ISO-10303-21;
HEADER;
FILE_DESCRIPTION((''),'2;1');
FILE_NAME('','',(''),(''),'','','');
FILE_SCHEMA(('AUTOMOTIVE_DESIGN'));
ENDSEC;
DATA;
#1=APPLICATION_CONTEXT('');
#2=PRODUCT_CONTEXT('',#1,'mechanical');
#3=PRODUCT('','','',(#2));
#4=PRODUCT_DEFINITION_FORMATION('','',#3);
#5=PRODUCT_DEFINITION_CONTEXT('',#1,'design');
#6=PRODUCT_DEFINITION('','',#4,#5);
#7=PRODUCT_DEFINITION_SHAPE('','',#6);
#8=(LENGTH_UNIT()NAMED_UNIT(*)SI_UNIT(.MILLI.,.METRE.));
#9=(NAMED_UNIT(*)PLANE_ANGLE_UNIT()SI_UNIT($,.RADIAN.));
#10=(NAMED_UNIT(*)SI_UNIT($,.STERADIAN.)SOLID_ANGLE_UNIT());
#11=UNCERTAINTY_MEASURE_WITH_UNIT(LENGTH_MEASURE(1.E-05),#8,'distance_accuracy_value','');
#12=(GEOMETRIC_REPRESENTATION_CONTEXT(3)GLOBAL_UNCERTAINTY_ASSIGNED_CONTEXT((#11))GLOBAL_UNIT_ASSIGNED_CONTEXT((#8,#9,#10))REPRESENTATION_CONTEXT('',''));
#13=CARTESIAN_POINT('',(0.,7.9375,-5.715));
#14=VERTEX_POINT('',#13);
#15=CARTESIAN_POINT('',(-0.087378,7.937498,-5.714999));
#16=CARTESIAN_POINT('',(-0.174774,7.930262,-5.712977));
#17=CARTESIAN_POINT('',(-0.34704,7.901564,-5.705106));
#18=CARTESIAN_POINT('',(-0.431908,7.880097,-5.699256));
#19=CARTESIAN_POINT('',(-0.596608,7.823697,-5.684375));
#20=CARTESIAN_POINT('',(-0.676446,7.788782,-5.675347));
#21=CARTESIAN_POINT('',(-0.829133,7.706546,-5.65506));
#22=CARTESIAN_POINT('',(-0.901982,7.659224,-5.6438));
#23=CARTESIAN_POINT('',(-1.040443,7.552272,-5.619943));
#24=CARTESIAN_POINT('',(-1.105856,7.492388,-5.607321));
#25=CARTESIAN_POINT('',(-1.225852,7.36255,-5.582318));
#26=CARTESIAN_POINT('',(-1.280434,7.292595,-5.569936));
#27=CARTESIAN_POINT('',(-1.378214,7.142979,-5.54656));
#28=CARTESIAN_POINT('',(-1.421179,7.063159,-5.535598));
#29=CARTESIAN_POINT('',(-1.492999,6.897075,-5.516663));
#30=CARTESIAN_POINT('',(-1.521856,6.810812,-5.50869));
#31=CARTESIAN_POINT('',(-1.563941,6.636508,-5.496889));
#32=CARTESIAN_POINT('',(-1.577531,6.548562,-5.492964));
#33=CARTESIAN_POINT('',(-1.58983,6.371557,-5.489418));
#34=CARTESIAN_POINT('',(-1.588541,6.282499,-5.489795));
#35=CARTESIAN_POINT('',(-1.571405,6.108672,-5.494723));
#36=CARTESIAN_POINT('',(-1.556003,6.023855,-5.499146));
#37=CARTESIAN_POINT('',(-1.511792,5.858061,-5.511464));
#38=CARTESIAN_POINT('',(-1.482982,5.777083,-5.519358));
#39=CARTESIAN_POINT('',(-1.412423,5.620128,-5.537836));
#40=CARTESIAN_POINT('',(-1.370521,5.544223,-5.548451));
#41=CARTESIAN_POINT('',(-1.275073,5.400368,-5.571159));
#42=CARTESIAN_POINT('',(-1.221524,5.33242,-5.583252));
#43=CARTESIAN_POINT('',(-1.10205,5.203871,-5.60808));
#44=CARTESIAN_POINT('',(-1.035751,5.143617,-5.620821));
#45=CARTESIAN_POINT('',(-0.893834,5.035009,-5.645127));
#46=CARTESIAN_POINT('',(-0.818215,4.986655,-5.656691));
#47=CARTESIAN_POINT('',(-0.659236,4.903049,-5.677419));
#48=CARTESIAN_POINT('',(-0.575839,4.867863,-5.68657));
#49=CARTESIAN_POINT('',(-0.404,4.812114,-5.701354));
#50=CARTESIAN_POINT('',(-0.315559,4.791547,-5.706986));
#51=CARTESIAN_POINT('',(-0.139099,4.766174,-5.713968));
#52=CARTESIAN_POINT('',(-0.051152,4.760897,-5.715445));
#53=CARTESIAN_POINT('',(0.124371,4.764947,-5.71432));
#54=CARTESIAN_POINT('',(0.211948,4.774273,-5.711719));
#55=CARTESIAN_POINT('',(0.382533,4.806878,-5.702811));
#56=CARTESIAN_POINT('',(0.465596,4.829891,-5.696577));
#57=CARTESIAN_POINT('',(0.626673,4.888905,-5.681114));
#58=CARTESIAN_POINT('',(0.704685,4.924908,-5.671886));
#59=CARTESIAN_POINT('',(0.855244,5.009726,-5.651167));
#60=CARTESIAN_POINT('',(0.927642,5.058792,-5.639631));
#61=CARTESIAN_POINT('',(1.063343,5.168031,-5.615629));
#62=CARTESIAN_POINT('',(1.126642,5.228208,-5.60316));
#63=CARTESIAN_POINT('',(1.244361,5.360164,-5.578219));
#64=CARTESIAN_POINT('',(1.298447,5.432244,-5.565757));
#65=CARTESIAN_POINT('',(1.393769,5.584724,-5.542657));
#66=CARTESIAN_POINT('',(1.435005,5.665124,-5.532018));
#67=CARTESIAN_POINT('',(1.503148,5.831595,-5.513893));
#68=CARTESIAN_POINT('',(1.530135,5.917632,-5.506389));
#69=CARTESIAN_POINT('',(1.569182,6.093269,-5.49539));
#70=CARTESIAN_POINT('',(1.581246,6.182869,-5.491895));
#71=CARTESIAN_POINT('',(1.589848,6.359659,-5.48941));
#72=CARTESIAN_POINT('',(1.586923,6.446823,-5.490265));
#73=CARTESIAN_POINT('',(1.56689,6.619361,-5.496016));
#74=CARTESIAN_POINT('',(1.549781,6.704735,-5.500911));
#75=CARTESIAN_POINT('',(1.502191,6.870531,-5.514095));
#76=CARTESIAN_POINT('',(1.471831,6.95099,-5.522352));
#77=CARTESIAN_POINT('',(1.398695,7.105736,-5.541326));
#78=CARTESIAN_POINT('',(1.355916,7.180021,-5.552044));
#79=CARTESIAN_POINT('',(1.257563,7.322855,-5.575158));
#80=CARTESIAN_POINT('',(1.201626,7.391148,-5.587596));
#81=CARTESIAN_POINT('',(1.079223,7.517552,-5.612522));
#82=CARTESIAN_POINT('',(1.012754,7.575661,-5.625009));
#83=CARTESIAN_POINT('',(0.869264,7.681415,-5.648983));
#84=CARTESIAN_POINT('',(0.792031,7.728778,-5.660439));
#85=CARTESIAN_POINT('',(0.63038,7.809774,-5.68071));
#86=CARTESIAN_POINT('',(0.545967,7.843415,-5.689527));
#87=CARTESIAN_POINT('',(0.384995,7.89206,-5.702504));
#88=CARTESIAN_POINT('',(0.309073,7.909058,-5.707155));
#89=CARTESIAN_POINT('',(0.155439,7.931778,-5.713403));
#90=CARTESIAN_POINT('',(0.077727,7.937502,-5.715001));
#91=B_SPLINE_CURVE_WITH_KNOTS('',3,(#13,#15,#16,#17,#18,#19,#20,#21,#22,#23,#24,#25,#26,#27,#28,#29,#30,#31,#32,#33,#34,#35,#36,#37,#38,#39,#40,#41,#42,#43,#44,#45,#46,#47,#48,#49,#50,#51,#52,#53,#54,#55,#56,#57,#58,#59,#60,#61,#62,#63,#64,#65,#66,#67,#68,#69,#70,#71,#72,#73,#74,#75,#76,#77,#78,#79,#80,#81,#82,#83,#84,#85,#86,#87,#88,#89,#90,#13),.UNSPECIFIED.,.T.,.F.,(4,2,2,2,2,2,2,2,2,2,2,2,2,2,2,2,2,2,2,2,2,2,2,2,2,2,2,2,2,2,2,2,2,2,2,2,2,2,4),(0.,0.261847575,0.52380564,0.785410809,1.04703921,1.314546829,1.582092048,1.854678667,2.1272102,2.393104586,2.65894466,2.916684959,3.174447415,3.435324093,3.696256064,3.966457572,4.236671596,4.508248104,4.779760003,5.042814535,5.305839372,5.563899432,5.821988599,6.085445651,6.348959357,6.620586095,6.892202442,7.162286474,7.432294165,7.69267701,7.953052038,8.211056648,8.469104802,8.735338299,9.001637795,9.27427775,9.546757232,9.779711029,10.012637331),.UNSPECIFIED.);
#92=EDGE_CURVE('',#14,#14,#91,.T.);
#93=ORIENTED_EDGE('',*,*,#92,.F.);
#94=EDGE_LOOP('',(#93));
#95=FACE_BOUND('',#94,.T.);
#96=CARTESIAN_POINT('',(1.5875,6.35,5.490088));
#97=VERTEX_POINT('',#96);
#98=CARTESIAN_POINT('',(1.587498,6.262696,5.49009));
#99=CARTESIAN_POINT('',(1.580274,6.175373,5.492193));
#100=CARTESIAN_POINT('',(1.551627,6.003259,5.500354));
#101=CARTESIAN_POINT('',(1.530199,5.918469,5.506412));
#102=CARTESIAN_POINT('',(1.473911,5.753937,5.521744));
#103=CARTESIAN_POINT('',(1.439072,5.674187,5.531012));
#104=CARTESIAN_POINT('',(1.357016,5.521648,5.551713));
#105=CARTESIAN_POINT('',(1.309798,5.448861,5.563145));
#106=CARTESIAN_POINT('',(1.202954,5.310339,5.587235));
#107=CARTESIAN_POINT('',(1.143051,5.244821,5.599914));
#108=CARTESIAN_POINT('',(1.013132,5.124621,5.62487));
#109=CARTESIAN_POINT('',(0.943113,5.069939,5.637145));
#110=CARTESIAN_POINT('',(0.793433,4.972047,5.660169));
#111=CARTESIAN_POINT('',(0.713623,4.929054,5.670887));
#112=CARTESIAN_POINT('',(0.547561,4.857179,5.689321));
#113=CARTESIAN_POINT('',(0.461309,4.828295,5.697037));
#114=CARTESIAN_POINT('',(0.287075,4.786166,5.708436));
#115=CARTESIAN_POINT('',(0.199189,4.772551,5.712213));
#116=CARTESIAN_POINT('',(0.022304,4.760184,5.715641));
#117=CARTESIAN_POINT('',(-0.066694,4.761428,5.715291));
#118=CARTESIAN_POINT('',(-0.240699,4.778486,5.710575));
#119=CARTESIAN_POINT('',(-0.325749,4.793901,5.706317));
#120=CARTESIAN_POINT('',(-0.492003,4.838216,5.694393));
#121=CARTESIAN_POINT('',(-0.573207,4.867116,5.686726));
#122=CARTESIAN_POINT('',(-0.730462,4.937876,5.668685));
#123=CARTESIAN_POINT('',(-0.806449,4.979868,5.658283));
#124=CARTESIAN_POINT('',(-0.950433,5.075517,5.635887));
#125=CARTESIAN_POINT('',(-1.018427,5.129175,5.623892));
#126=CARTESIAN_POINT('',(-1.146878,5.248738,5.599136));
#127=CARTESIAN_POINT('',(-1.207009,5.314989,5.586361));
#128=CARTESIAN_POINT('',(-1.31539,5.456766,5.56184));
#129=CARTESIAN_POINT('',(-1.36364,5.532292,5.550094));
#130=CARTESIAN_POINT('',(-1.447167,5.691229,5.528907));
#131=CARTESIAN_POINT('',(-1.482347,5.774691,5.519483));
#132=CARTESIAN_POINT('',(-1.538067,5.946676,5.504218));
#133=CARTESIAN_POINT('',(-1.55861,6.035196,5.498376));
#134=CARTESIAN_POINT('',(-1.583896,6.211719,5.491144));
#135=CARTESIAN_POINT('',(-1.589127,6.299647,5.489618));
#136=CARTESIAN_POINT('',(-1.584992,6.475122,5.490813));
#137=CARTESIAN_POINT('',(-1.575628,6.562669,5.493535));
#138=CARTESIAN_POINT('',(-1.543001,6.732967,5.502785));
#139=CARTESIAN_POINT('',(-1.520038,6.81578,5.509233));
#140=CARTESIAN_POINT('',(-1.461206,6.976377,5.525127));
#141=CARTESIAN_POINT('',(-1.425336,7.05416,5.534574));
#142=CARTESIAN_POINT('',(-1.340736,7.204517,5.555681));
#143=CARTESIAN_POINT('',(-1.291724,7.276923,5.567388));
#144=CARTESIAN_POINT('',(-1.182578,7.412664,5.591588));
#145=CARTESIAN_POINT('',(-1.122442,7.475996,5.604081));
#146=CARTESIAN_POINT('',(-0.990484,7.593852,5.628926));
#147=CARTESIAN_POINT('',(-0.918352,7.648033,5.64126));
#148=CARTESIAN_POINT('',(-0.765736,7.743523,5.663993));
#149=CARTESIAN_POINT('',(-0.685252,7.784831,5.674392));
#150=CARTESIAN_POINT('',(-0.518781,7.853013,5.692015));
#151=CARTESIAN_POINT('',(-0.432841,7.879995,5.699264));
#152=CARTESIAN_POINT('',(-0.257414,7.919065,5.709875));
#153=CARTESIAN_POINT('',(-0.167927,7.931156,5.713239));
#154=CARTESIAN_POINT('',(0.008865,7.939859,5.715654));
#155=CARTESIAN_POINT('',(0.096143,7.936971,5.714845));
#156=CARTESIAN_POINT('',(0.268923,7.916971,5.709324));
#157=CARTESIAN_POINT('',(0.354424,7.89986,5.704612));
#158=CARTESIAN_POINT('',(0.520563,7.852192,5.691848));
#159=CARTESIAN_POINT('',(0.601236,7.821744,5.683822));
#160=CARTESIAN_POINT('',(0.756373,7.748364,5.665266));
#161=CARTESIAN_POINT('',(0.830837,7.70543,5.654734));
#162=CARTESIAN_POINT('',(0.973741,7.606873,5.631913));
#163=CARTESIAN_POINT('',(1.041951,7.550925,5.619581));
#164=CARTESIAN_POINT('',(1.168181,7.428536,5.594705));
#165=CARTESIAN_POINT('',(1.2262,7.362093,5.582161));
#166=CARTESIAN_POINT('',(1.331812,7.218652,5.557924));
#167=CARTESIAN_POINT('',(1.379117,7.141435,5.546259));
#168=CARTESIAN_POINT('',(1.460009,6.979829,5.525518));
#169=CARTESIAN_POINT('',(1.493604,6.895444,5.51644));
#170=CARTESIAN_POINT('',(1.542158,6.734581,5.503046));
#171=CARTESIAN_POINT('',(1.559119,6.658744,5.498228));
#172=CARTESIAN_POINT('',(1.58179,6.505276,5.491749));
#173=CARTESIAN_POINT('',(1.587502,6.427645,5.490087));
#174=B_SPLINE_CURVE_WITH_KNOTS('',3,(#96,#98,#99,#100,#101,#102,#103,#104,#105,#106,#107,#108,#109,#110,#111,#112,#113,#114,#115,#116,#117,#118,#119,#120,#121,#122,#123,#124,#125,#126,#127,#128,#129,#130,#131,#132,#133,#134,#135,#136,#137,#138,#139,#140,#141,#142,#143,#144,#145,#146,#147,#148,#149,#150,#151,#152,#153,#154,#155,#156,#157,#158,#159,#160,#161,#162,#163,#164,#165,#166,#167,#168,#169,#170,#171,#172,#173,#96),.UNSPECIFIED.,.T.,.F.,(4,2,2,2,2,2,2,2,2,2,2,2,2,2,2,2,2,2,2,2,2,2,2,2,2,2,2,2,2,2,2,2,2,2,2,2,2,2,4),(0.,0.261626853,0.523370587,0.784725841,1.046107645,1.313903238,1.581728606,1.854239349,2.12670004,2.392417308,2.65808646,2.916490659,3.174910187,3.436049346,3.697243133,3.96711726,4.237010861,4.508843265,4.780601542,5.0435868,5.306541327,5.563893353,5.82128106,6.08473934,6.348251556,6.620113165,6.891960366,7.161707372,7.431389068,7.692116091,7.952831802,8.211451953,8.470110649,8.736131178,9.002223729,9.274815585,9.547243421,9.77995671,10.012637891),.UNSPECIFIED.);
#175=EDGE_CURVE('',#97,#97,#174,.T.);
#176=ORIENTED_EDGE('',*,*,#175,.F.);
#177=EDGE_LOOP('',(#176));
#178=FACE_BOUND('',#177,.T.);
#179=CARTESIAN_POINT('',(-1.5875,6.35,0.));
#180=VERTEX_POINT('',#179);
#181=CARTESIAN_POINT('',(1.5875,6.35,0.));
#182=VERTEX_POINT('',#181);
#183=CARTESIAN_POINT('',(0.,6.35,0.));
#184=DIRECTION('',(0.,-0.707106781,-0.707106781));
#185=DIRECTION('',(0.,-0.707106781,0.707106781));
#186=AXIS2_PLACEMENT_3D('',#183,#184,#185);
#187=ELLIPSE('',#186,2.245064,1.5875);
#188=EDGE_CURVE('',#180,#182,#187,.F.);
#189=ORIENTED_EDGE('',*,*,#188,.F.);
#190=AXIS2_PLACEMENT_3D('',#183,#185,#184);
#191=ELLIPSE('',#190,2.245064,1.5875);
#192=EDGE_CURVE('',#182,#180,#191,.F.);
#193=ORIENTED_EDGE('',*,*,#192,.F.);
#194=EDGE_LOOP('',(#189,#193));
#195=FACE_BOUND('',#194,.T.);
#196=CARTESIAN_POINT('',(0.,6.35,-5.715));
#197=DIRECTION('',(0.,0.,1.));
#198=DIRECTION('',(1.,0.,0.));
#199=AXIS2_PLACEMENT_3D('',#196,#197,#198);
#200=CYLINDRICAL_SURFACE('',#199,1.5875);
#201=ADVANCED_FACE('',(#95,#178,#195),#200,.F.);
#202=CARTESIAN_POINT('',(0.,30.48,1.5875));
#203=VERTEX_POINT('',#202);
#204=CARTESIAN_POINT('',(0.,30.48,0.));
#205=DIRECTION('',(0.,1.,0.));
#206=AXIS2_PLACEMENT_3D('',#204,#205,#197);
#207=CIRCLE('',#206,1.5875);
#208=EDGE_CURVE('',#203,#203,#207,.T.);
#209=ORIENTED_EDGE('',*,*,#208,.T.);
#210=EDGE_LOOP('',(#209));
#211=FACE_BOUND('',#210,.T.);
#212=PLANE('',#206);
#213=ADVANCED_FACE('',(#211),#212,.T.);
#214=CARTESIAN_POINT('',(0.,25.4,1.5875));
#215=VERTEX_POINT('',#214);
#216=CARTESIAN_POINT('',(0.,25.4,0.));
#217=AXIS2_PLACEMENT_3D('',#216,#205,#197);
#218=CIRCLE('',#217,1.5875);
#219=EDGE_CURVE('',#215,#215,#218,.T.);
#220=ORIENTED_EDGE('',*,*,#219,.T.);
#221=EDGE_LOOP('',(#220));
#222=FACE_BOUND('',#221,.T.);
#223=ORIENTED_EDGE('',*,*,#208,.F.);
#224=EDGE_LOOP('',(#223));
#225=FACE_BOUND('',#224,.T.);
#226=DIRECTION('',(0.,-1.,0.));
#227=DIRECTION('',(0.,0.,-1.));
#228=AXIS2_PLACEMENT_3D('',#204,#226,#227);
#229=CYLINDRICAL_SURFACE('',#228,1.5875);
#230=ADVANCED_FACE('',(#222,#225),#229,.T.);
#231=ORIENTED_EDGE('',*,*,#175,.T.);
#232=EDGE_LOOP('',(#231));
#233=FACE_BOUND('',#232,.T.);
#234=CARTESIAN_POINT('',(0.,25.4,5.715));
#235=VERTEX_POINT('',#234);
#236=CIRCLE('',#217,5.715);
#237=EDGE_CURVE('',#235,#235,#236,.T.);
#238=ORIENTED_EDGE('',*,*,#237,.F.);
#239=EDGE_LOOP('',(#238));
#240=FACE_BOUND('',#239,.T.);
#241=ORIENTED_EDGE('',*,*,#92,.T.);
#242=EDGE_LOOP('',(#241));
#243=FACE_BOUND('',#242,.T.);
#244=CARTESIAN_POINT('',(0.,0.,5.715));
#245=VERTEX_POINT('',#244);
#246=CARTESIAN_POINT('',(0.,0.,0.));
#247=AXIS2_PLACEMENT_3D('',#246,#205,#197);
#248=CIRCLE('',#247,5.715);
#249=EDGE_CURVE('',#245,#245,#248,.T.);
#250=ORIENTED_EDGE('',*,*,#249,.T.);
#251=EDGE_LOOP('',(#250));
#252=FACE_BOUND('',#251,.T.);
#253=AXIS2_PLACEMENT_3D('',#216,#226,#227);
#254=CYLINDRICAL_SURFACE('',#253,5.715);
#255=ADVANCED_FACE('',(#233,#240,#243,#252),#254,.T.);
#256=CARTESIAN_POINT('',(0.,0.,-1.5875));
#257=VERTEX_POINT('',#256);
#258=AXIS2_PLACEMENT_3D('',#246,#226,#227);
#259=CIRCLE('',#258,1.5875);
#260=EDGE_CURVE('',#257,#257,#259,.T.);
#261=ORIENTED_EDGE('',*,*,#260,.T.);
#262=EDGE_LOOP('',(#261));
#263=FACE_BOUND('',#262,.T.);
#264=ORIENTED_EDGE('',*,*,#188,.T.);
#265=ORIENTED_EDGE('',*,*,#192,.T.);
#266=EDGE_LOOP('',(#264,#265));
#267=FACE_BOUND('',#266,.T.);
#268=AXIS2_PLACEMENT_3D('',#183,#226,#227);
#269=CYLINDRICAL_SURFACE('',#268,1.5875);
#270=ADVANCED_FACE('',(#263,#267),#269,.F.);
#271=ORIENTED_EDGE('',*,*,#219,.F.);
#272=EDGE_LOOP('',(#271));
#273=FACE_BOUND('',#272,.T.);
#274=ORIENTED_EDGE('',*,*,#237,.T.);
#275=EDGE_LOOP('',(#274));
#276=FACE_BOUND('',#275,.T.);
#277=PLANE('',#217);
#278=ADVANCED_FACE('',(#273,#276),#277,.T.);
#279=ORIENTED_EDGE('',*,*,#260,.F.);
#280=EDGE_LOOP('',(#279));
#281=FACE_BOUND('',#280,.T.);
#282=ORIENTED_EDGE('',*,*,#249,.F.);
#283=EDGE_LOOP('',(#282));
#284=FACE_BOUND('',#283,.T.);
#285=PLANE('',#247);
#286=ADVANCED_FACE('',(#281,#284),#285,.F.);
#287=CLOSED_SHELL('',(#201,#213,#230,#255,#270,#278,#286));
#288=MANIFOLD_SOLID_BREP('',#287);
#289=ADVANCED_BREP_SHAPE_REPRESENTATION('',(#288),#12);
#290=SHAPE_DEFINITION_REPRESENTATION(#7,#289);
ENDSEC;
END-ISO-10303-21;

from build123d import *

# Parameters (mm, degrees)
SKETCH1_R           = 5.715
BOSS_EXTRUDE1_DEPTH = 25.4
SKETCH2_R           = 1.5875
BOSS_EXTRUDE2_DEPTH = 5.08
SKETCH4_R           = 1.5875
CUT_EXTRUDE2_DEPTH  = 6.35
SKETCH3_R           = 1.5875
CUT_EXTRUDE3_DEPTH  = 12.43


with BuildPart() as part:
    # Sketch1 → Boss-Extrude1 (new body)
    with BuildSketch(Plane(origin=(0, 0, 0), x_dir=(1, 0, 0), z_dir=(0, 1, 0))):
        Circle(SKETCH1_R)
    extrude(amount=BOSS_EXTRUDE1_DEPTH)

    # Sketch2 → Boss-Extrude2 (add)
    with BuildSketch(Plane(origin=(0, 25.4, 0), x_dir=(1, 0, 0), z_dir=(0, 1, 0))):
        Circle(SKETCH2_R)
    extrude(amount=BOSS_EXTRUDE2_DEPTH)

    # Sketch4 → Cut-Extrude2 (cut)
    with BuildSketch(Plane.XZ):
        Circle(SKETCH4_R)
    extrude(amount=-CUT_EXTRUDE2_DEPTH, mode=Mode.SUBTRACT)

    # Sketch3 → Cut-Extrude3 (cut, through all)
    with BuildSketch(Plane.XY.offset(5.715)):
        with Locations((0, 6.35)):
            Circle(SKETCH3_R)
    extrude(amount=-CUT_EXTRUDE3_DEPTH, mode=Mode.SUBTRACT)


solid = part.part
